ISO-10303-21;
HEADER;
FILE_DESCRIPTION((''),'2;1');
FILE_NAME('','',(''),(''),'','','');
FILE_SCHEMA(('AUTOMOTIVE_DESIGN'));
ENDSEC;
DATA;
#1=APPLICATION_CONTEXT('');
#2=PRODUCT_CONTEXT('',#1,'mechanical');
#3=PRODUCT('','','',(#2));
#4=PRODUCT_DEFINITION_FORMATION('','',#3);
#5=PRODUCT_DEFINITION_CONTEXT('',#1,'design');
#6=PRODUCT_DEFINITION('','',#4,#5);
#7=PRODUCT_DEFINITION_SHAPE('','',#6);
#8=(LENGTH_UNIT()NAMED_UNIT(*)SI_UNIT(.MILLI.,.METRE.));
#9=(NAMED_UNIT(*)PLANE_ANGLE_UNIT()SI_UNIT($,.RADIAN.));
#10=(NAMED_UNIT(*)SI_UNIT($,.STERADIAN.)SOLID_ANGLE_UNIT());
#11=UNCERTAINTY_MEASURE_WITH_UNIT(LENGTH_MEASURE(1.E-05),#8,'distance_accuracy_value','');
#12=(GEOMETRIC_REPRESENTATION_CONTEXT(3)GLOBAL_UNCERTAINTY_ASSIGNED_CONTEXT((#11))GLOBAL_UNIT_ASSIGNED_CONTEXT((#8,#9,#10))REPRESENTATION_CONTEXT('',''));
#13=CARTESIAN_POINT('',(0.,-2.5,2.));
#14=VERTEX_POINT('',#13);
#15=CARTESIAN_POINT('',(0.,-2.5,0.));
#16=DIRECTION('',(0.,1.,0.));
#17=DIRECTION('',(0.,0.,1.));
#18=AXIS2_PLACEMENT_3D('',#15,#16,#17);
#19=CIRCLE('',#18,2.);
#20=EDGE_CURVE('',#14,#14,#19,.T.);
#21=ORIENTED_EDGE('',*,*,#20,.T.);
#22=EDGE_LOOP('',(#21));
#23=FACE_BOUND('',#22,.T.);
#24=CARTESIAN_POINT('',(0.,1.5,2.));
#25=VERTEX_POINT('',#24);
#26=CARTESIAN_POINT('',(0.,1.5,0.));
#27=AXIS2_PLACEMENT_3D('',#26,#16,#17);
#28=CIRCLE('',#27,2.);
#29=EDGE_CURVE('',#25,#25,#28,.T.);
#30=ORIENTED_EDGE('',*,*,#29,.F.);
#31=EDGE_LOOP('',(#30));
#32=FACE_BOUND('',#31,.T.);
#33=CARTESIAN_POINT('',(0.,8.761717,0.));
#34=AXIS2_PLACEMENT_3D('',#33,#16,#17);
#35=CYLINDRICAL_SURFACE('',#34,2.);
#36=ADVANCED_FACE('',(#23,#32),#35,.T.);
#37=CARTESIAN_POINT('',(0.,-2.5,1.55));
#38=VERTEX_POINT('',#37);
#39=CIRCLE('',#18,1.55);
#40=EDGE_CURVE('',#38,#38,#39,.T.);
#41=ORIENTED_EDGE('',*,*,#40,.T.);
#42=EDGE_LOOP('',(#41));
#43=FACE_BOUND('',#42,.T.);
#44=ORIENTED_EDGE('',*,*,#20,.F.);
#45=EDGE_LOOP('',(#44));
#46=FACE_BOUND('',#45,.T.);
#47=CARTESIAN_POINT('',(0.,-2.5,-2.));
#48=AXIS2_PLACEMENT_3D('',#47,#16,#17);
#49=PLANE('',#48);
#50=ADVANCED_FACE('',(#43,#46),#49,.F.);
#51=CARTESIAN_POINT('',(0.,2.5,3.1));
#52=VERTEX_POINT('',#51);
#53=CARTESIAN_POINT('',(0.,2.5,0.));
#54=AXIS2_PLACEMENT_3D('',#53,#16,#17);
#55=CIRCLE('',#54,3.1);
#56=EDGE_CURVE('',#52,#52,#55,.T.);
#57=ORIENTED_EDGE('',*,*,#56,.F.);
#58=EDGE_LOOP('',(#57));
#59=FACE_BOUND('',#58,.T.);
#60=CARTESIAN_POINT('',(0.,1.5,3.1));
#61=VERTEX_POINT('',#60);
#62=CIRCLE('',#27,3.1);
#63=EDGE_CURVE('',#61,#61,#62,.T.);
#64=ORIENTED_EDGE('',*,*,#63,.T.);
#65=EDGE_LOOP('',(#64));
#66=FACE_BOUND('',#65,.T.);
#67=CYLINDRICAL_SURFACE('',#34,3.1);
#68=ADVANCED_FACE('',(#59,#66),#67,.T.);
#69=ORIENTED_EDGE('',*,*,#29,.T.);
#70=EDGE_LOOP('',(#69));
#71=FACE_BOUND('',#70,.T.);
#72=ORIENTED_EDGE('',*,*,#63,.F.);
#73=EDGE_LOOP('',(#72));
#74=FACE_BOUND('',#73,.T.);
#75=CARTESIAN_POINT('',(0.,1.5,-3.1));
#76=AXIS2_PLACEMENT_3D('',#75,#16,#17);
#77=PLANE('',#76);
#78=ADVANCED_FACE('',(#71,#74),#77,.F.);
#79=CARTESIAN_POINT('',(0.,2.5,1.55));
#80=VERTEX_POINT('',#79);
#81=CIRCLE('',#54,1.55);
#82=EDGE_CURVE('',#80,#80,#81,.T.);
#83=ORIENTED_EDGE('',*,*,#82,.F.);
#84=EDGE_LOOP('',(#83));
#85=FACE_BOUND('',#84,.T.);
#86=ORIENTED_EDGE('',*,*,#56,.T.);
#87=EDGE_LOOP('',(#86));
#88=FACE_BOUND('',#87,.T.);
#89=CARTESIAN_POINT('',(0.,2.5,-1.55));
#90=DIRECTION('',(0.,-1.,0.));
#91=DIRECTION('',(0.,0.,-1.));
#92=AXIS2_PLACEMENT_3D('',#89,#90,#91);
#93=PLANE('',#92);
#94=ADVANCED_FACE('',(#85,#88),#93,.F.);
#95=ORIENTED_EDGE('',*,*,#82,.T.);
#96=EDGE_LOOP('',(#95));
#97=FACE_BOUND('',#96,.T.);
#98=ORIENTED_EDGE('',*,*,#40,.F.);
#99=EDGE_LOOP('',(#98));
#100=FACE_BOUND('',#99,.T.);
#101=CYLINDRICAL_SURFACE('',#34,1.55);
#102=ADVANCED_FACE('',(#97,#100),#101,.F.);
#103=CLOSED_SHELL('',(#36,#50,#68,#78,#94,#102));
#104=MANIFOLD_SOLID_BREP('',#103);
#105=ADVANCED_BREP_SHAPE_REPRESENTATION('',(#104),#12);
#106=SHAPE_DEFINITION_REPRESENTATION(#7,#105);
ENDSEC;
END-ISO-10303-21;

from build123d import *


with BuildPart() as part:
    # Sketch1 → Revolve1 (revolve)
    with BuildSketch(Plane(origin=(0, 0, 0), x_dir=(0, 0, -1), z_dir=(1, 0, 0)), mode=Mode.PRIVATE) as revolve1_sk:
        Polygon((1.55, 2.5), (3.1, 2.5), (3.1, 1.5), (2, 1.5), (2, -2.5), (1.55, -2.5), align=None)
    revolve(revolve1_sk.sketch.rotate(Axis((0, 8.761716621, 0), (0, -1, 0)), 180), axis=Axis((0, 8.761716621, 0), (0, -1, 0)))


solid = part.part
